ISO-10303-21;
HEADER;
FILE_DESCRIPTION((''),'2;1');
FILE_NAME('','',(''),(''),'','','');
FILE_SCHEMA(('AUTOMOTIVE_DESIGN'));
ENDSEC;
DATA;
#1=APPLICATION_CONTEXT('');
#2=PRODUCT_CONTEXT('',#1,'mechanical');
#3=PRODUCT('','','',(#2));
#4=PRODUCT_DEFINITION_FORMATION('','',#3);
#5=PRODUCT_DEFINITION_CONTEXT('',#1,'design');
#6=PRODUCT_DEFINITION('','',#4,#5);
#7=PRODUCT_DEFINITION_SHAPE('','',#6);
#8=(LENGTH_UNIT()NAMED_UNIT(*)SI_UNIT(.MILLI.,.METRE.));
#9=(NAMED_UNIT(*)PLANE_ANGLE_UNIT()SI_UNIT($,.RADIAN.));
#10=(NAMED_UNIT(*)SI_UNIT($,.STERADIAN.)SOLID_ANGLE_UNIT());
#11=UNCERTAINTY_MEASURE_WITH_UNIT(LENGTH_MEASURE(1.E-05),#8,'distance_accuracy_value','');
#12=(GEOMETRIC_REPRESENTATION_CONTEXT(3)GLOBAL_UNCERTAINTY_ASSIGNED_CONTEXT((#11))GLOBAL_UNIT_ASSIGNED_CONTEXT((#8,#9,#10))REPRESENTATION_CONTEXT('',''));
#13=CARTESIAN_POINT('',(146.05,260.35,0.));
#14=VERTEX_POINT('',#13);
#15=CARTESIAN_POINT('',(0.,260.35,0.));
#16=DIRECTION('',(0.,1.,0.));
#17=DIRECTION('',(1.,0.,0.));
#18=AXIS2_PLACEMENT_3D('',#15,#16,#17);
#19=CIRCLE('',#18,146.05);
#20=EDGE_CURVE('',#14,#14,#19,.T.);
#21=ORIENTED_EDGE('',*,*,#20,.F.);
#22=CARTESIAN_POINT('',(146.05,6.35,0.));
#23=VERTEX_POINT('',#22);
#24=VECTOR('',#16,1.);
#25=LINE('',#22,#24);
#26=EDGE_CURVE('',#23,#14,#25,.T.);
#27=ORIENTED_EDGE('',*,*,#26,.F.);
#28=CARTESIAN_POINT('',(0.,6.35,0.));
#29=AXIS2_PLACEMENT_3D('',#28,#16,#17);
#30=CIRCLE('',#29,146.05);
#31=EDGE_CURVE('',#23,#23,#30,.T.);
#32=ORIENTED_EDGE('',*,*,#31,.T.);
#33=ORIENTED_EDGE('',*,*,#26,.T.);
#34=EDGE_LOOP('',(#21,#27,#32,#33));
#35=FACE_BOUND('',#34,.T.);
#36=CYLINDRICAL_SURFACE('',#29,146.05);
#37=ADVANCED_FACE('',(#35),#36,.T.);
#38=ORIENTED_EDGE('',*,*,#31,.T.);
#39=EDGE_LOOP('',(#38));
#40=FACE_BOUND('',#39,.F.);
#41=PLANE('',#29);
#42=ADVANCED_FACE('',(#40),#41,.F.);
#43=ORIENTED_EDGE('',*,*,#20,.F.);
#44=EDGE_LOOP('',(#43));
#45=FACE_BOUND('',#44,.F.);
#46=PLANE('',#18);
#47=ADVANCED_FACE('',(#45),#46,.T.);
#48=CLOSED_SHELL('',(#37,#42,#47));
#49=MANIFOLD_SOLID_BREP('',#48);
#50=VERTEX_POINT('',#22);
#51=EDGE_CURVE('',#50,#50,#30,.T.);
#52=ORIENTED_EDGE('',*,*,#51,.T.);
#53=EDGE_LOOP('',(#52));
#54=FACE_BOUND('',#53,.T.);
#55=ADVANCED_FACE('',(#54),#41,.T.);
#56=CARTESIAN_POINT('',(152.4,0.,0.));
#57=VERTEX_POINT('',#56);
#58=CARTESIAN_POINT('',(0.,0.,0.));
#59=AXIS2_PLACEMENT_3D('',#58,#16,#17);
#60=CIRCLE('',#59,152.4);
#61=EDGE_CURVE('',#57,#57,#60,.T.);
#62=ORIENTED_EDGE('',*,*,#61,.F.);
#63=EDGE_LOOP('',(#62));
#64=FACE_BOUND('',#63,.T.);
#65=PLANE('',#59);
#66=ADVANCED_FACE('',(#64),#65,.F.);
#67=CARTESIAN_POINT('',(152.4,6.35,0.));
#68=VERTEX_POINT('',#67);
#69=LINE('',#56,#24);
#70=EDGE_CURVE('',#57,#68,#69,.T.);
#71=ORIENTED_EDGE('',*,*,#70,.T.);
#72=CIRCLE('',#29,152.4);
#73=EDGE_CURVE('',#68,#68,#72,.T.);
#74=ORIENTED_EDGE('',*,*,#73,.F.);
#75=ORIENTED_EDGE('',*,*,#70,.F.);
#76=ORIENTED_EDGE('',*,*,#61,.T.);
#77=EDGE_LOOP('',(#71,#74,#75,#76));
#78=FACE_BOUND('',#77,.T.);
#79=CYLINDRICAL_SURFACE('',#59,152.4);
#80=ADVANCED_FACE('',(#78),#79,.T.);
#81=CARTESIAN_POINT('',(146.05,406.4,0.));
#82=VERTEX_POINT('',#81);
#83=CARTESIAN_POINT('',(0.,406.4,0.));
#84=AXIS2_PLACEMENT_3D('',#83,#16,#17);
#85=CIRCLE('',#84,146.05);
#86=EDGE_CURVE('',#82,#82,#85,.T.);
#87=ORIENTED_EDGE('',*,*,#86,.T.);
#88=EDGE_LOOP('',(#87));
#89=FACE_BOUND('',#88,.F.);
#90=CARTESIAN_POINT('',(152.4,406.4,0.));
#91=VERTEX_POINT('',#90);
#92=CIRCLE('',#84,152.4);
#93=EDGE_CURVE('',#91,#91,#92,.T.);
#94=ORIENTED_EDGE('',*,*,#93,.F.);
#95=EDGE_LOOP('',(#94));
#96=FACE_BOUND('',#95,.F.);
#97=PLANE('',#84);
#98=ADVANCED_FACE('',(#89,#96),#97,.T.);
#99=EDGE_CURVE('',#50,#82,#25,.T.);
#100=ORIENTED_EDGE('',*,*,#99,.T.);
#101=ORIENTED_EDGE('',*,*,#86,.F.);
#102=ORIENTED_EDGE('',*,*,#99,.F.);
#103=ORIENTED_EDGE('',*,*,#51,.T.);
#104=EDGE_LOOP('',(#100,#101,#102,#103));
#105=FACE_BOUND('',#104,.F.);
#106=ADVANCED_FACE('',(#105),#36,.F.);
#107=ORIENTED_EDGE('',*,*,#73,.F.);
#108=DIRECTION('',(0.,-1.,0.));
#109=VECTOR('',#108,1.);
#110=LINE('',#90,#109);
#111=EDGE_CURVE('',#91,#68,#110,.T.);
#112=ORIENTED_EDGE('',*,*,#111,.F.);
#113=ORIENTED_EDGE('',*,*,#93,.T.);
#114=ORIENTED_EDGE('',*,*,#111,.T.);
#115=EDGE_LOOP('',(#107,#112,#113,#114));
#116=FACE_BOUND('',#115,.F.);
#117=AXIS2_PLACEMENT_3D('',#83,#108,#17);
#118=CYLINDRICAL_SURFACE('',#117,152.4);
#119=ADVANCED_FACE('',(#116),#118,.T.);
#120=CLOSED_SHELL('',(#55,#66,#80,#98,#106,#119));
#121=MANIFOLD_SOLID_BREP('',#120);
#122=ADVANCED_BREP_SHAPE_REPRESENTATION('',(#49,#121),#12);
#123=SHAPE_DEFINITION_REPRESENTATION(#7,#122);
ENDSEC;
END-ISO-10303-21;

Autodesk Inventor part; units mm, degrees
ref_plane "YZ Plane" through (0, 0, 0) normal (1, 0, 0) x (0, 1, 0)
ref_plane "XZ Plane" through (0, 0, 0) normal (0, 1, 0) x (-1, 0, 0)
ref_plane "XY Plane" through (0, 0, 0) normal (0, 0, 1) x (1, 0, 0)
sketch "Sketch1" plane through (0, 0, 0) normal (0, 0, 1) x (1, 0, 0)
  line L0 (-30.48, 0) -> (182.88, 0) construction
  line L1 (0, -81.28) -> (0, 487.68) construction
  line L2 (146.05, 406.4) -> (152.4, 406.4)
  line L3 (152.4, 406.4) -> (152.4, 6.35)
  line L4 (152.4, 6.35) -> (146.05, 6.35)
  line L5 (146.05, 6.35) -> (146.05, 406.4)
  line L6 (0, 0) -> (152.4, 0)
  line L7 (152.4, 0) -> (152.4, 6.35)
  line L8 (152.4, 6.35) -> (0, 6.35)
  line L9 (0, 6.35) -> (0, 0)
  line L10 (0, 260.35) -> (146.05, 260.35)
  line L11 (146.05, 260.35) -> (146.05, 6.35)
  line L12 (146.05, 6.35) -> (0, 6.35)
  line L13 (0, 6.35) -> (0, 260.35)
  point P0 (146.05, 6.35)
  point P1 (0, 6.35)
  point P2 (146.05, 260.35)
  dimension "d0" = 152.4
  dimension "d1" = 406.4
  dimension "d2" = 6.35
  dimension "d3" = 254
revolve "Revolution1" add sketch "Sketch1" angle 360 about axis through (0, 6.35, 0) along (0, 1, 0) contours L2 L3 L4 L5 | L7 L6 L9 L8 L4
revolve "Revolution2" add sketch "Sketch1" angle 360 about axis through (0, -10, 0) along (0, 1, 0) separate body contours L5 L8 L13 L10
equation "\"d0\" = 0.5 * BaseDia"
equation "\"d1\" = Height"
equation "\"d2\" = Thickness"
equation "\"d3\" = LiquidDepth"
equation "\"BaseDia\" = 304.8"
equation "\"Height\" = 406.4"
equation "\"Thickness\" = 6.35"
equation "\"LiquidDepth\" = 254"
properties part number "water-tank-sizing-by-calcslive-plug"
